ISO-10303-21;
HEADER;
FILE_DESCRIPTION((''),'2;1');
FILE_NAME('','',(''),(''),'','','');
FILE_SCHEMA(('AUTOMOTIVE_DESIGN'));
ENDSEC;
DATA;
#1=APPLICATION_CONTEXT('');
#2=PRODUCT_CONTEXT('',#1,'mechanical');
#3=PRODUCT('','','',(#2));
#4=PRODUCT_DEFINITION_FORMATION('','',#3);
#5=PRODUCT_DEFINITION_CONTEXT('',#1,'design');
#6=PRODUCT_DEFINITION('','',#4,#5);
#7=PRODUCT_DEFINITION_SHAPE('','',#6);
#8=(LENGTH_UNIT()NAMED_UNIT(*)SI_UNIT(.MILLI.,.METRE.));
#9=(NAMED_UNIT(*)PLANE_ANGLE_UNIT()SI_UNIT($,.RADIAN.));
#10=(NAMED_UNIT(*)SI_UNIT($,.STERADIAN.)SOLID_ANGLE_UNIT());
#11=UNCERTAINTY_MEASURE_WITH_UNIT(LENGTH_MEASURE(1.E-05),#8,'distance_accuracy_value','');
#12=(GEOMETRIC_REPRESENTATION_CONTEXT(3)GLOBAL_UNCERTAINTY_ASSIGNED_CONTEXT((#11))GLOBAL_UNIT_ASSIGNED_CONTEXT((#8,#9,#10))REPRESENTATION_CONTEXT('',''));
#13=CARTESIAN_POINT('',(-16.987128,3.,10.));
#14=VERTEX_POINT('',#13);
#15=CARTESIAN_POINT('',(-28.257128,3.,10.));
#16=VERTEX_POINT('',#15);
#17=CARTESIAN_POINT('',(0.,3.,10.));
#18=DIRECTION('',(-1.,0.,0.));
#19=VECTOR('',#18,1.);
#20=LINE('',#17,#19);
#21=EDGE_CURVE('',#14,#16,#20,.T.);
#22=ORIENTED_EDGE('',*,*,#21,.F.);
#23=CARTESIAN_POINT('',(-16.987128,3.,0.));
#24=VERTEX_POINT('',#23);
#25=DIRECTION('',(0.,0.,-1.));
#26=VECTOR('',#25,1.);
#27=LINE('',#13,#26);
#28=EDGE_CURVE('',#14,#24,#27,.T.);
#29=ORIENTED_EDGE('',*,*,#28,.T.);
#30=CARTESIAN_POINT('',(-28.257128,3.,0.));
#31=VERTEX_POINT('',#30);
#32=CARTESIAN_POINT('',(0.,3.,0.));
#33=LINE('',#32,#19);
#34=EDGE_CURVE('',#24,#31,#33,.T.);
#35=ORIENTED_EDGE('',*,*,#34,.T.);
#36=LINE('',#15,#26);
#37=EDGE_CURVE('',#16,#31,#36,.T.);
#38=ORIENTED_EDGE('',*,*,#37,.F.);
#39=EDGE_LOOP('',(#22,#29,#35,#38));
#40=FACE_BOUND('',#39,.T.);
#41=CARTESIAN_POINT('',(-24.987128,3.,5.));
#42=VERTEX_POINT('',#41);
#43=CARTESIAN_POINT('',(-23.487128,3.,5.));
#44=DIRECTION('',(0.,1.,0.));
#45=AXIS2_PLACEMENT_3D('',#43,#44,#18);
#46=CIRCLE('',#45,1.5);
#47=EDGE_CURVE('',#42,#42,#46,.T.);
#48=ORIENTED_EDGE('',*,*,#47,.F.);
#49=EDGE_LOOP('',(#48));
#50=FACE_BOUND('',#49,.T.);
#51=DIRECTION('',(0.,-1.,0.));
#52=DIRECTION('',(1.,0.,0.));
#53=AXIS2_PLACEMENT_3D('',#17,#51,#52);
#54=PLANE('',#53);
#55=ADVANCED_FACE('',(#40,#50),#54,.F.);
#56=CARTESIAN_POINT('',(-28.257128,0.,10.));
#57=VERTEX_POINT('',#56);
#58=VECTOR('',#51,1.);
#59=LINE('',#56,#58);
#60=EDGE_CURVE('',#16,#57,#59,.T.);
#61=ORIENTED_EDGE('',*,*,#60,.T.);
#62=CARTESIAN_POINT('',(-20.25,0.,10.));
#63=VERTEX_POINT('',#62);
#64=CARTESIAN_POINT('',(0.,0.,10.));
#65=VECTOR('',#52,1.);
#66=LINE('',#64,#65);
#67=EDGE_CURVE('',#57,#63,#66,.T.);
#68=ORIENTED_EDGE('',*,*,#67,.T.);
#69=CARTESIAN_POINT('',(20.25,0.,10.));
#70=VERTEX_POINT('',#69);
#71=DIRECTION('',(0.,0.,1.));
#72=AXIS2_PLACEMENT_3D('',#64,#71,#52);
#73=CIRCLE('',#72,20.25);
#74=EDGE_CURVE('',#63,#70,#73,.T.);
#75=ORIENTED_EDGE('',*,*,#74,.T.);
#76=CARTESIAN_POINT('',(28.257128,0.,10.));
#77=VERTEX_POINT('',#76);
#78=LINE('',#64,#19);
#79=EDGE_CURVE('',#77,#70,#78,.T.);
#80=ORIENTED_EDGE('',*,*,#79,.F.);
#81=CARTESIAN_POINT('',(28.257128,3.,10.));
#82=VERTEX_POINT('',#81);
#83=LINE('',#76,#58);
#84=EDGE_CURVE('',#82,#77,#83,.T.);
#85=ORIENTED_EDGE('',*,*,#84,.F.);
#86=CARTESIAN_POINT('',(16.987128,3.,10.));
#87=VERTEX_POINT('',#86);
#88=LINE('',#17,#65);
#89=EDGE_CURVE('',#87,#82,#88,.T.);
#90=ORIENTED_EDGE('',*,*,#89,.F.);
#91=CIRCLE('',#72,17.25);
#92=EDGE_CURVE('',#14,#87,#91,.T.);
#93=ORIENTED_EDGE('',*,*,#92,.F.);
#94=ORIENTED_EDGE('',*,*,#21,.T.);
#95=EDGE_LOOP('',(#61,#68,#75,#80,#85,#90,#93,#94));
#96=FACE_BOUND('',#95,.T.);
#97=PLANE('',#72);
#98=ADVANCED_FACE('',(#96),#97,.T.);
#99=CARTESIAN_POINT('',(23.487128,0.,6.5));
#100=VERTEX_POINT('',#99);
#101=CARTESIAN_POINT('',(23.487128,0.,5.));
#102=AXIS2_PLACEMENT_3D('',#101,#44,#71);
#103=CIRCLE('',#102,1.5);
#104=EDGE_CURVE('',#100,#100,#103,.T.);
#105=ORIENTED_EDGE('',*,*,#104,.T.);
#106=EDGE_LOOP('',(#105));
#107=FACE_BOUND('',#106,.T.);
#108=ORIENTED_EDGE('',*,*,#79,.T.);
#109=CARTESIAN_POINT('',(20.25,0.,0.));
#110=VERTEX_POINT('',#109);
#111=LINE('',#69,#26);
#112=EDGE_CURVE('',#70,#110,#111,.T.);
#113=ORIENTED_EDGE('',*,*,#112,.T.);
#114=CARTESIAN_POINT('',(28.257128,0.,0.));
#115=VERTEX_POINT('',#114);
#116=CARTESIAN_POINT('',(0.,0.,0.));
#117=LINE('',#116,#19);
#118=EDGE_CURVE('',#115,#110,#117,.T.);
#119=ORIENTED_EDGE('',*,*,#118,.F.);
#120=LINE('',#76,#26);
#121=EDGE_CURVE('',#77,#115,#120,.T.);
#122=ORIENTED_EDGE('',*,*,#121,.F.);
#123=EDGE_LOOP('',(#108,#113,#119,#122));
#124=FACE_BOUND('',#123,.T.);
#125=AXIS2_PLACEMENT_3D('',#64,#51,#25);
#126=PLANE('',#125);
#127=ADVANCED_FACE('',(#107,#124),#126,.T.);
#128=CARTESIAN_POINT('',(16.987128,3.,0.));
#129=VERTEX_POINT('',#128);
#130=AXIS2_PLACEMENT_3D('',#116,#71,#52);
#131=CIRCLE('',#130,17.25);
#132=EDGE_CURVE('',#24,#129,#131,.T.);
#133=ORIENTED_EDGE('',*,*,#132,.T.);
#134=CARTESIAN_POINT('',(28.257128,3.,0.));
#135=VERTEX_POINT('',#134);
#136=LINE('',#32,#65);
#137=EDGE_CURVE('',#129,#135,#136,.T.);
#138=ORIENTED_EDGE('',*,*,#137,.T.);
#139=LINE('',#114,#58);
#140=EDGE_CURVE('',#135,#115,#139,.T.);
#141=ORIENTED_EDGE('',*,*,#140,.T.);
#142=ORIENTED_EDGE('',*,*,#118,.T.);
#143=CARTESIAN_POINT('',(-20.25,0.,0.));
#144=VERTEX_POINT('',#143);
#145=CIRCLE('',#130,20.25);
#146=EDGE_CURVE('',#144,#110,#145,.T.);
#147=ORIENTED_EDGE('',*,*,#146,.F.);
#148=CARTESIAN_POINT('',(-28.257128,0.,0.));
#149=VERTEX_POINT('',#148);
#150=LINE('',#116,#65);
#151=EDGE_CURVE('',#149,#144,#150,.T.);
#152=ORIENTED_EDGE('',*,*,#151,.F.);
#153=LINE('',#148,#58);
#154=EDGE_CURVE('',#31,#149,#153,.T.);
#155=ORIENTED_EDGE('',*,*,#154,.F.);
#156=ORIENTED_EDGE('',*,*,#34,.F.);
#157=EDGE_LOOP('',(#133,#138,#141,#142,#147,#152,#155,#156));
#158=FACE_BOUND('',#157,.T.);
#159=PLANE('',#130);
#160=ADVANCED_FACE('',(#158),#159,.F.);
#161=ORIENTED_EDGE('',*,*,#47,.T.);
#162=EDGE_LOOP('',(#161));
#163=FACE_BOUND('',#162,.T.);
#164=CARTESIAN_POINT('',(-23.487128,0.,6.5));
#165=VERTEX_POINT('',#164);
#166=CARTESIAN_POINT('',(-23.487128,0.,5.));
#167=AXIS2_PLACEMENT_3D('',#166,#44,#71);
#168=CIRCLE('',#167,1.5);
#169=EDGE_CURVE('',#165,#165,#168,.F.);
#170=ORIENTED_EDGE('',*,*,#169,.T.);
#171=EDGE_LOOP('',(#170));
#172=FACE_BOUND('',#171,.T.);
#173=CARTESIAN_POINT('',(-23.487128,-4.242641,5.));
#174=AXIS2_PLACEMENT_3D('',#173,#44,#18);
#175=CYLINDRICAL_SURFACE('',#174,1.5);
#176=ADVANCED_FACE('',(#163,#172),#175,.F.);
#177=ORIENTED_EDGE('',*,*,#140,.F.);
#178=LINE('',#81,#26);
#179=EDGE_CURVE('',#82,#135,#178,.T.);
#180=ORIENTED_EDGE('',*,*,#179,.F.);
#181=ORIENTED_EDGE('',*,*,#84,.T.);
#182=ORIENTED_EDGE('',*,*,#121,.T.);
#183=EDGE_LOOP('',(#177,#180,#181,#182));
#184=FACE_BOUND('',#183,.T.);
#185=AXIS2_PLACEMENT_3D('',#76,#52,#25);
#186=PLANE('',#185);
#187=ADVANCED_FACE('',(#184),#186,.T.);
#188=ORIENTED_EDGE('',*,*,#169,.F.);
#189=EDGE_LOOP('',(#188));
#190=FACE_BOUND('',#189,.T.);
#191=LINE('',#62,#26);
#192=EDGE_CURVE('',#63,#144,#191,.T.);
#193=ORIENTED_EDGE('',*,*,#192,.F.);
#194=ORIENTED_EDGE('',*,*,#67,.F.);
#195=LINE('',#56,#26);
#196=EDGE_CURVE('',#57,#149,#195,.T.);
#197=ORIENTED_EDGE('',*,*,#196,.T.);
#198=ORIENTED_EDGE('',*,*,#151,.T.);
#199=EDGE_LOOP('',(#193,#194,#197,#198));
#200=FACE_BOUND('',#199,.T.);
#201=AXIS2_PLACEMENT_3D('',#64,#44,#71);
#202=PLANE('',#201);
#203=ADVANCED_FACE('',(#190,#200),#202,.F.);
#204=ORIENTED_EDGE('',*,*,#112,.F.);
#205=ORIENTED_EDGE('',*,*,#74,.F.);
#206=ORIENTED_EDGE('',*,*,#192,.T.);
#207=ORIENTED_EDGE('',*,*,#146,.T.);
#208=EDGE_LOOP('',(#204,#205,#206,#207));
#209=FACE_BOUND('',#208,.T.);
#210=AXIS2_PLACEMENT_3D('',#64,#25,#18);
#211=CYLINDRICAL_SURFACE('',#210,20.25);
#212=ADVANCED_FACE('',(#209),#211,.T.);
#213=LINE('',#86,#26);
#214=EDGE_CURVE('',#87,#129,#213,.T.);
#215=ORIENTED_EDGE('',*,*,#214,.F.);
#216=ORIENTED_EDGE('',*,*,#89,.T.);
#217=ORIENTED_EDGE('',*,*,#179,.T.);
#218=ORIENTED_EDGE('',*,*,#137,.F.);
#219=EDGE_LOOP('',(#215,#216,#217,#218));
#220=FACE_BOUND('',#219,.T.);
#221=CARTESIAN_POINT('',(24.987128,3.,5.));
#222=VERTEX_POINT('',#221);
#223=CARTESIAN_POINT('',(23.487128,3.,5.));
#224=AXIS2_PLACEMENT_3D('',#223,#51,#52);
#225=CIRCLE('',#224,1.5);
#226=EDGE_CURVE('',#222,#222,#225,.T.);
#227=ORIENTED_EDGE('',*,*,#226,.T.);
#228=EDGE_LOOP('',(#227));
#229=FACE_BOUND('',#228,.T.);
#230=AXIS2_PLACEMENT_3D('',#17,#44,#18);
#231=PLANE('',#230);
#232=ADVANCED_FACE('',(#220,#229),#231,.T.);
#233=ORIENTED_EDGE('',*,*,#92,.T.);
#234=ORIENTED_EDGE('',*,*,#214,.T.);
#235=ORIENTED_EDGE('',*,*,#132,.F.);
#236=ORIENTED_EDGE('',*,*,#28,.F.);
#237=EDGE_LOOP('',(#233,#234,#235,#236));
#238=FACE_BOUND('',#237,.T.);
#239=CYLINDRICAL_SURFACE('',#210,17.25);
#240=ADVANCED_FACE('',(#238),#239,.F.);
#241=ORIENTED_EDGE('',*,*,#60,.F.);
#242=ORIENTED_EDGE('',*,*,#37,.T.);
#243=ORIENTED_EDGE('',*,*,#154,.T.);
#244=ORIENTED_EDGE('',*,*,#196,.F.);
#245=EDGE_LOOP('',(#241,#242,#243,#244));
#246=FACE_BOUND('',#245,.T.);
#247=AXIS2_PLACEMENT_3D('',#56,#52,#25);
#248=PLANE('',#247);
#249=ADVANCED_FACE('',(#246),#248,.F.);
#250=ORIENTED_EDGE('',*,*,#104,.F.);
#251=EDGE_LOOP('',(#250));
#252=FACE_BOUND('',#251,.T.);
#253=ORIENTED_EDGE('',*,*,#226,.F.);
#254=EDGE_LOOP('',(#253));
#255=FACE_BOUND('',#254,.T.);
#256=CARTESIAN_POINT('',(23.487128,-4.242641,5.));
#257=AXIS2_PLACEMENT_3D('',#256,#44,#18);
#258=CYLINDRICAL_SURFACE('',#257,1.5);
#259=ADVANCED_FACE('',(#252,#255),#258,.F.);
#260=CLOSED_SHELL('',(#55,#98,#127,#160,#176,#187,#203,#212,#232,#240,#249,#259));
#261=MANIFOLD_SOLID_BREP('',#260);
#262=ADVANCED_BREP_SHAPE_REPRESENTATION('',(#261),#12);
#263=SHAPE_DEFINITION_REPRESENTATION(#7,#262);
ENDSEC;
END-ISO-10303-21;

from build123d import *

# Parameters (mm, degrees)
SKETCH1_W           = 1.27
SKETCH1_H           = 3
BOSS_EXTRUDE1_DEPTH = 10
CUT_EXTRUDE1_DEPTH  = 3


with BuildPart() as part:
    # Sketch1 → Boss-Extrude1 (new body)
    with BuildSketch(Plane.XY):
        with BuildLine():
            ThreePointArc((17.250000044, 0), (-1.505747486, -17.18415625), (-16.987127524, 3))
            Line((-16.987127524, 3), (-26.987127524, 3))
            Line((-26.987127524, 3), (-26.987127524, 0))
            Line((-26.987127524, 0), (-20.250000044, 0))
            ThreePointArc((-20.250000044, 0), (0, -20.250000044), (20.250000044, 0))
            Line((20.250000044, 0), (26.987127524, 0))
            Line((26.987127524, 0), (26.987127524, 3))
            Line((26.987127524, 3), (16.987127524, 3))
            ThreePointArc((16.987127524, 3), (17.18415625, 1.505747486), (17.250000044, 0))
        make_face()
        with Locations((27.622127524, 1.5)):
            Rectangle(SKETCH1_W, SKETCH1_H)
        with Locations((-27.622127524, 1.5)):
            Rectangle(SKETCH1_W, SKETCH1_H)
    extrude(amount=BOSS_EXTRUDE1_DEPTH)

    # Sketch2 → Cut-Extrude1 (cut)
    with BuildSketch(Plane(origin=(0, 3, 0), x_dir=(1, 0, 0), z_dir=(0, 1, 0))):
        with BuildLine():
            ThreePointArc((-21.987127524, -5), (-23.487127524, -3.5), (-24.987127524, -5))
            Line((-24.987127524, -5), (-21.987127524, -5))
        make_face()
        with BuildLine():
            Line((-21.987127524, -5), (-24.987127524, -5))
            ThreePointArc((-24.987127524, -5), (-23.487127524, -6.5), (-21.987127524, -5))
        make_face()
    cut_extrude1 = extrude(amount=-CUT_EXTRUDE1_DEPTH, mode=Mode.SUBTRACT)

    # Mirror1: Cut-Extrude1 across plane
    add(cut_extrude1.mirror(Plane(origin=(0, 0, 0), x_dir=(0, 0, 1), z_dir=(1, 0, 0))), mode=Mode.SUBTRACT)


solid = part.part
